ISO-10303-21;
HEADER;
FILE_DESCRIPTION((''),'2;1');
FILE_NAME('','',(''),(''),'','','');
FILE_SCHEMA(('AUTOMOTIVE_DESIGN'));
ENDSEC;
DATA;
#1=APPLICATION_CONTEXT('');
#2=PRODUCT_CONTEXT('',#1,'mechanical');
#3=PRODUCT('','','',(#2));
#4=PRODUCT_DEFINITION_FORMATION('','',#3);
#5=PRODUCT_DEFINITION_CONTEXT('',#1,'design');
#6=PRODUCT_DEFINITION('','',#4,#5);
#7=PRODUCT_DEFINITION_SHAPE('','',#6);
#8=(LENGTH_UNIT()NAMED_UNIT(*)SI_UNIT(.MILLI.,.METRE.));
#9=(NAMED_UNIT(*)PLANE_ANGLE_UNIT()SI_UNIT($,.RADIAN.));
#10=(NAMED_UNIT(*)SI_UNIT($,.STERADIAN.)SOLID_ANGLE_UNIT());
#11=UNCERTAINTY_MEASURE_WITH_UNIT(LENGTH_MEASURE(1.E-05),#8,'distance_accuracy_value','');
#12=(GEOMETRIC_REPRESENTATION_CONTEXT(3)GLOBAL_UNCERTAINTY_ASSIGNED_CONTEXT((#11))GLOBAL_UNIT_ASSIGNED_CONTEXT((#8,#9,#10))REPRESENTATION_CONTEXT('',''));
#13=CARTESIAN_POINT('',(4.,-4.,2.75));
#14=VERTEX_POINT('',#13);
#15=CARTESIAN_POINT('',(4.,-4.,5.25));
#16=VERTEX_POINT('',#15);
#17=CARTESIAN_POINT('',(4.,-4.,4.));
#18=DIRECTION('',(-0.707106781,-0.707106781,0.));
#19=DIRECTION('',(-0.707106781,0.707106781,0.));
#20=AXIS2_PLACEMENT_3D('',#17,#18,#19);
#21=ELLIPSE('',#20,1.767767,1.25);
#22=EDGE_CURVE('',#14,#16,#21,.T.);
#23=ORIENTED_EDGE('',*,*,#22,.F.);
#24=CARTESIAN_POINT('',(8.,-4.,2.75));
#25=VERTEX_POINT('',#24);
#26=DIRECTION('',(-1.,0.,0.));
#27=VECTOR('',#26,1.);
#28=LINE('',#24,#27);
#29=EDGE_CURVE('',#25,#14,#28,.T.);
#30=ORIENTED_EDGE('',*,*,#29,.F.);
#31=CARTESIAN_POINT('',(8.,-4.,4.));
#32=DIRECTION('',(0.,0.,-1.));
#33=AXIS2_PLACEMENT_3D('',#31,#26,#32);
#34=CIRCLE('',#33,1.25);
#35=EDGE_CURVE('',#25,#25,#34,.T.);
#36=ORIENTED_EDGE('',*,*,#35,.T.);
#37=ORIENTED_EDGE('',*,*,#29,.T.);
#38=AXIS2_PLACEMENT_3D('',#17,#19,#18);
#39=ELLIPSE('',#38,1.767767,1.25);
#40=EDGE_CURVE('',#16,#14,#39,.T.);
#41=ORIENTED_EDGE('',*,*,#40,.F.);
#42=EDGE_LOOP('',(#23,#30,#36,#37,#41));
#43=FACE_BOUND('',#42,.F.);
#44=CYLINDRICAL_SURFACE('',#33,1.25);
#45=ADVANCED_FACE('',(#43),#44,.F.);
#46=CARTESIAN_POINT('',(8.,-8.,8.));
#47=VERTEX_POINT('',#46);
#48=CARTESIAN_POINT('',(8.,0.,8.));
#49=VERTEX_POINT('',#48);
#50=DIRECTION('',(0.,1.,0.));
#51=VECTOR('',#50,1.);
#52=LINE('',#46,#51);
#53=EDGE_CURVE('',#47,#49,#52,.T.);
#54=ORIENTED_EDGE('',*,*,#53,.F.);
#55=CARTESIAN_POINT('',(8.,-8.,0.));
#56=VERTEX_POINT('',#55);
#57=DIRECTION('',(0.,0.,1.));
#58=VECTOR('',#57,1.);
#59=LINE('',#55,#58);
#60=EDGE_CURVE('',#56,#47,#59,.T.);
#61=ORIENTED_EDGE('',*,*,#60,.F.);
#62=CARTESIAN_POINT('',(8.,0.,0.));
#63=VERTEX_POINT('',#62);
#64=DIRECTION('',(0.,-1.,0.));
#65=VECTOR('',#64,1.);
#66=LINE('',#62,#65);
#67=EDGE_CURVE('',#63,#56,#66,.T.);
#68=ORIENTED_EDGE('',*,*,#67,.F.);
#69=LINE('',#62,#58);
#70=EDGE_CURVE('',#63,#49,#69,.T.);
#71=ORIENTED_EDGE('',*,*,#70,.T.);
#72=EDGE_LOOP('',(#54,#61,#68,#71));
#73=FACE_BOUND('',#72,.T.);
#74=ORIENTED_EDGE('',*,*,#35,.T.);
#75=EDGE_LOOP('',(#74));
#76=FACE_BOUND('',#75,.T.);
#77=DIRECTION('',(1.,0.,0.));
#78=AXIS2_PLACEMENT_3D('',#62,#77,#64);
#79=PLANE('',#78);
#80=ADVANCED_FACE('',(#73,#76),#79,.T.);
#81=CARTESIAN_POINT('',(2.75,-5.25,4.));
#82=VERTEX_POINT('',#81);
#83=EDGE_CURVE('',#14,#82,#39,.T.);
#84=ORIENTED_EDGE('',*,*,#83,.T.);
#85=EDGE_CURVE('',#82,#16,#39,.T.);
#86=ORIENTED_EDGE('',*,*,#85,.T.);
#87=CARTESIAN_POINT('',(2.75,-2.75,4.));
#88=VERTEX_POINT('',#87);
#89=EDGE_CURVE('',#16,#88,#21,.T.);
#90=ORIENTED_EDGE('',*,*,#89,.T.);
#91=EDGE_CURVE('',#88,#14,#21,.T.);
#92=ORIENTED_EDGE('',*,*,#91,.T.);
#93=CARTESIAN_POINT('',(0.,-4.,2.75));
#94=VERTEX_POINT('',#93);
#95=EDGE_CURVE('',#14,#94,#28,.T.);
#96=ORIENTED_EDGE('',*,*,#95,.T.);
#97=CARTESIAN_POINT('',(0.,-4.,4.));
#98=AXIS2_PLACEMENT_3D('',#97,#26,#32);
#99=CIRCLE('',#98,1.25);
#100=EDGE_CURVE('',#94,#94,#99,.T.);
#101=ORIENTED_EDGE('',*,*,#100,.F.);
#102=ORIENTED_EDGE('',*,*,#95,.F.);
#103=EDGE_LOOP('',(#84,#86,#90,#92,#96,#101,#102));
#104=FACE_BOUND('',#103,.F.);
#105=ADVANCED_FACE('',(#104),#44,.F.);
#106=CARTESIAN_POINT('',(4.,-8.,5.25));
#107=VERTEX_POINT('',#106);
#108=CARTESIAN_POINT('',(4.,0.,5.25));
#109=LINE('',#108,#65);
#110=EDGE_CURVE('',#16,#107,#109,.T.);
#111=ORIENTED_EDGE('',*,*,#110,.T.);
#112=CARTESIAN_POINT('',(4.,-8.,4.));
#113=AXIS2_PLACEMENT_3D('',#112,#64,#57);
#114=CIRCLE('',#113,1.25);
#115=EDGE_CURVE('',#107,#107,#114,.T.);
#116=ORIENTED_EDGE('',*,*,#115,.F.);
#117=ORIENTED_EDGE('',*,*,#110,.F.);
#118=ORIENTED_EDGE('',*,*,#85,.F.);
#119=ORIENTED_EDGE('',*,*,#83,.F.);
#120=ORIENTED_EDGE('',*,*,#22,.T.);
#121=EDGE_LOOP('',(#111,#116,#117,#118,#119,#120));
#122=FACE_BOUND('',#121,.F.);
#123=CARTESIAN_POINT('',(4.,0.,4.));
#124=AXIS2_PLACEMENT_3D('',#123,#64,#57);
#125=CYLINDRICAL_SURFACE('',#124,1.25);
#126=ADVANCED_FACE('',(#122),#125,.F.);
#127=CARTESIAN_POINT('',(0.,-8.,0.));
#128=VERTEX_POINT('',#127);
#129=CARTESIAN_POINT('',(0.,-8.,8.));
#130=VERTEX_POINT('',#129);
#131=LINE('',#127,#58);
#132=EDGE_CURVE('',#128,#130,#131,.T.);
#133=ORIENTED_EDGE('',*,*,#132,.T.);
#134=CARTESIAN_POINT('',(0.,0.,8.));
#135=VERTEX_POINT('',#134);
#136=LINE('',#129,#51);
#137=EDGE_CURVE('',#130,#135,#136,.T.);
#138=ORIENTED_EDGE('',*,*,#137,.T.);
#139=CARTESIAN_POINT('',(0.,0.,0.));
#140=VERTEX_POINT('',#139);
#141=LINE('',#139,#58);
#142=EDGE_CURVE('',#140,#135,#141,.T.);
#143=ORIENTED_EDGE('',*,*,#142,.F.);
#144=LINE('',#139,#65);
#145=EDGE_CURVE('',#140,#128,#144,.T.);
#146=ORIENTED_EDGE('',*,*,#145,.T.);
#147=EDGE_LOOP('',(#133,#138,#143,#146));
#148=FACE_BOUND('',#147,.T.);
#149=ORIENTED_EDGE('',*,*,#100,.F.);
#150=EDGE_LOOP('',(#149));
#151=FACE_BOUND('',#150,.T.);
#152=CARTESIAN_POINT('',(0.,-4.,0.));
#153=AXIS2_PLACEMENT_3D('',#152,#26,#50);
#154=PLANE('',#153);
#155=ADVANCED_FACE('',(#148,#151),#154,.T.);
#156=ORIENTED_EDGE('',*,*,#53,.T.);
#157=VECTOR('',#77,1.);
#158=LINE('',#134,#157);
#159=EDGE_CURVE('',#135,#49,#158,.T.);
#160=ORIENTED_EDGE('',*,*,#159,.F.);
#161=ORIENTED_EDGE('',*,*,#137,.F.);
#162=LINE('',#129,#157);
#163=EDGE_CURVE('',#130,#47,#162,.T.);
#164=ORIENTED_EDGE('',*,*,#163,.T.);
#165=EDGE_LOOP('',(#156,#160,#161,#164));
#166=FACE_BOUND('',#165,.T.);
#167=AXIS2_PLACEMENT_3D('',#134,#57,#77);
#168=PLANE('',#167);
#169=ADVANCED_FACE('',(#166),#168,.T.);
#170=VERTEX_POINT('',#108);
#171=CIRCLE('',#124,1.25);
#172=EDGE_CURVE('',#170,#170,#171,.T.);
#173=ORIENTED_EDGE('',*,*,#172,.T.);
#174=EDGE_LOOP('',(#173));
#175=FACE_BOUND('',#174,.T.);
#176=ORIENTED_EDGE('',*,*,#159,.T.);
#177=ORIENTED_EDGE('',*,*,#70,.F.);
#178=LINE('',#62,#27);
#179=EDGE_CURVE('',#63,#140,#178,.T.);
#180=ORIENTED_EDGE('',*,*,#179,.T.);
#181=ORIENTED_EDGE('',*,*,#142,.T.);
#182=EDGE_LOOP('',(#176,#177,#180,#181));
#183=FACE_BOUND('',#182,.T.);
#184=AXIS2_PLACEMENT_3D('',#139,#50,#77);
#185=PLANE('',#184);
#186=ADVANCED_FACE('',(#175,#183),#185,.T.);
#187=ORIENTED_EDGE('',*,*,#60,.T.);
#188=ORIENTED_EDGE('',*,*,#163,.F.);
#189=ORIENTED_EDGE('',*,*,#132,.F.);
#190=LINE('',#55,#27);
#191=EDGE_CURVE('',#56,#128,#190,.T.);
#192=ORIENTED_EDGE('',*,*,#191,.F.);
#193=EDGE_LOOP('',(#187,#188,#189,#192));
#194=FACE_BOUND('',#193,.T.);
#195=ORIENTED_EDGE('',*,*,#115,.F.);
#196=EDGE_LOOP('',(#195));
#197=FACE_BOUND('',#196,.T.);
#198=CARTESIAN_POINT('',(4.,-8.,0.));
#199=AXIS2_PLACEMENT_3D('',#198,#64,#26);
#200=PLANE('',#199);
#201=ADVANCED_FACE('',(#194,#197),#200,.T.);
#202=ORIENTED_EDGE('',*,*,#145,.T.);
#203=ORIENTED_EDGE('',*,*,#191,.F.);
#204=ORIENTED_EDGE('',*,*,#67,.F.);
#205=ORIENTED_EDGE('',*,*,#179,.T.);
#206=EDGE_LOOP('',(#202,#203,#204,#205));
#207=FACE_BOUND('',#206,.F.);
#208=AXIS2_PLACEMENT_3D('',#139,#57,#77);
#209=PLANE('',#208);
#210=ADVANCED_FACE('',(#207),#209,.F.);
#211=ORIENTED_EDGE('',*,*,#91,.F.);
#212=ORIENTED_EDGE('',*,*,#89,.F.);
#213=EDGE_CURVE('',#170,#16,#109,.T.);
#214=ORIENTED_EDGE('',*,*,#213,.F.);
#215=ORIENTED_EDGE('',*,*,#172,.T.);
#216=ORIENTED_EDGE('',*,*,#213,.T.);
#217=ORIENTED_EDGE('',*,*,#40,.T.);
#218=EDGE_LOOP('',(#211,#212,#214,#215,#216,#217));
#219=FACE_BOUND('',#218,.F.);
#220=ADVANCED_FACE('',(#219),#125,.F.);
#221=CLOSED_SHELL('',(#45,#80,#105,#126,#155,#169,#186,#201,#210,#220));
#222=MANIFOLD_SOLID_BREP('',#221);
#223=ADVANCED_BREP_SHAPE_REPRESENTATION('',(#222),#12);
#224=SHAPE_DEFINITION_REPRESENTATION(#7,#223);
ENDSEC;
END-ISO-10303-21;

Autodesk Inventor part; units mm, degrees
ref_plane "YZ Plane" through (0, 0, 0) normal (1, 0, 0) x (0, 1, 0)
ref_plane "XZ Plane" through (0, 0, 0) normal (0, 1, 0) x (-1, 0, 0)
ref_plane "XY Plane" through (0, 0, 0) normal (0, 0, 1) x (1, 0, 0)
sketch "スケッチ1" plane through (0, 0, 0) normal (0, 0, 1) x (1, 0, 0)
  line L0 (0, 0) -> (8, 0)
  line L1 (8, 0) -> (8, -8)
  line L2 (8, -8) -> (0, -8)
  line L3 (0, -8) -> (0, 0)
  line L4 (0, -4) -> (8, -4)
  line L5 (4, 0) -> (4, -8)
  dimension "d0" = 8
  dimension "d1" = 8
extrude "押し出し1" add sketch "スケッチ1" along normal blind 8
sketch "スケッチ2" plane through (8, -8, 0) normal (1, 0, 0) x (0, 0, -1)
  line L0 (-8, 8) -> (0, 8) projected
  line L1 (0, 8) -> (0, 0) projected
  line L2 (0, 0) -> (-8, 0) projected
  line L3 (-8, 0) -> (-8, 8) projected
  line L4 (-8, 8) -> (0, 0)
  line L5 (0, 8) -> (0, 0) projected
  line L6 (-8, 0) -> (0, 8)
  point P0 (-4, 4)
hole "穴1" at (8, -4, 4) direction (-1, 0, 0) diameter 2.5 end through all
sketch "スケッチ3" plane through (0, 0, 0) normal (0, 1, 0) x (1, 0, 0)
  line L0 (8, 0) -> (8, -8) projected
  line L1 (8, -8) -> (0, -8) projected
  line L2 (0, -8) -> (0, 0) projected
  line L3 (0, 0) -> (8, 0) projected
  line L4 (0, -8) -> (8, 0)
  line L5 (8, 0) -> (8, -8) projected
  line L6 (0, 0) -> (8, 0) projected
  line L7 (8, -8) -> (0, 0)
  point P0 (4, -4)
hole "穴2" at (4, 0, 4) direction (0, -1, 0) diameter 2.5 end through all
equation "\"d0\" = d1"
properties part number "垂直ブロック 真鍮 8" material "真鍮、ソフト イエロー"
